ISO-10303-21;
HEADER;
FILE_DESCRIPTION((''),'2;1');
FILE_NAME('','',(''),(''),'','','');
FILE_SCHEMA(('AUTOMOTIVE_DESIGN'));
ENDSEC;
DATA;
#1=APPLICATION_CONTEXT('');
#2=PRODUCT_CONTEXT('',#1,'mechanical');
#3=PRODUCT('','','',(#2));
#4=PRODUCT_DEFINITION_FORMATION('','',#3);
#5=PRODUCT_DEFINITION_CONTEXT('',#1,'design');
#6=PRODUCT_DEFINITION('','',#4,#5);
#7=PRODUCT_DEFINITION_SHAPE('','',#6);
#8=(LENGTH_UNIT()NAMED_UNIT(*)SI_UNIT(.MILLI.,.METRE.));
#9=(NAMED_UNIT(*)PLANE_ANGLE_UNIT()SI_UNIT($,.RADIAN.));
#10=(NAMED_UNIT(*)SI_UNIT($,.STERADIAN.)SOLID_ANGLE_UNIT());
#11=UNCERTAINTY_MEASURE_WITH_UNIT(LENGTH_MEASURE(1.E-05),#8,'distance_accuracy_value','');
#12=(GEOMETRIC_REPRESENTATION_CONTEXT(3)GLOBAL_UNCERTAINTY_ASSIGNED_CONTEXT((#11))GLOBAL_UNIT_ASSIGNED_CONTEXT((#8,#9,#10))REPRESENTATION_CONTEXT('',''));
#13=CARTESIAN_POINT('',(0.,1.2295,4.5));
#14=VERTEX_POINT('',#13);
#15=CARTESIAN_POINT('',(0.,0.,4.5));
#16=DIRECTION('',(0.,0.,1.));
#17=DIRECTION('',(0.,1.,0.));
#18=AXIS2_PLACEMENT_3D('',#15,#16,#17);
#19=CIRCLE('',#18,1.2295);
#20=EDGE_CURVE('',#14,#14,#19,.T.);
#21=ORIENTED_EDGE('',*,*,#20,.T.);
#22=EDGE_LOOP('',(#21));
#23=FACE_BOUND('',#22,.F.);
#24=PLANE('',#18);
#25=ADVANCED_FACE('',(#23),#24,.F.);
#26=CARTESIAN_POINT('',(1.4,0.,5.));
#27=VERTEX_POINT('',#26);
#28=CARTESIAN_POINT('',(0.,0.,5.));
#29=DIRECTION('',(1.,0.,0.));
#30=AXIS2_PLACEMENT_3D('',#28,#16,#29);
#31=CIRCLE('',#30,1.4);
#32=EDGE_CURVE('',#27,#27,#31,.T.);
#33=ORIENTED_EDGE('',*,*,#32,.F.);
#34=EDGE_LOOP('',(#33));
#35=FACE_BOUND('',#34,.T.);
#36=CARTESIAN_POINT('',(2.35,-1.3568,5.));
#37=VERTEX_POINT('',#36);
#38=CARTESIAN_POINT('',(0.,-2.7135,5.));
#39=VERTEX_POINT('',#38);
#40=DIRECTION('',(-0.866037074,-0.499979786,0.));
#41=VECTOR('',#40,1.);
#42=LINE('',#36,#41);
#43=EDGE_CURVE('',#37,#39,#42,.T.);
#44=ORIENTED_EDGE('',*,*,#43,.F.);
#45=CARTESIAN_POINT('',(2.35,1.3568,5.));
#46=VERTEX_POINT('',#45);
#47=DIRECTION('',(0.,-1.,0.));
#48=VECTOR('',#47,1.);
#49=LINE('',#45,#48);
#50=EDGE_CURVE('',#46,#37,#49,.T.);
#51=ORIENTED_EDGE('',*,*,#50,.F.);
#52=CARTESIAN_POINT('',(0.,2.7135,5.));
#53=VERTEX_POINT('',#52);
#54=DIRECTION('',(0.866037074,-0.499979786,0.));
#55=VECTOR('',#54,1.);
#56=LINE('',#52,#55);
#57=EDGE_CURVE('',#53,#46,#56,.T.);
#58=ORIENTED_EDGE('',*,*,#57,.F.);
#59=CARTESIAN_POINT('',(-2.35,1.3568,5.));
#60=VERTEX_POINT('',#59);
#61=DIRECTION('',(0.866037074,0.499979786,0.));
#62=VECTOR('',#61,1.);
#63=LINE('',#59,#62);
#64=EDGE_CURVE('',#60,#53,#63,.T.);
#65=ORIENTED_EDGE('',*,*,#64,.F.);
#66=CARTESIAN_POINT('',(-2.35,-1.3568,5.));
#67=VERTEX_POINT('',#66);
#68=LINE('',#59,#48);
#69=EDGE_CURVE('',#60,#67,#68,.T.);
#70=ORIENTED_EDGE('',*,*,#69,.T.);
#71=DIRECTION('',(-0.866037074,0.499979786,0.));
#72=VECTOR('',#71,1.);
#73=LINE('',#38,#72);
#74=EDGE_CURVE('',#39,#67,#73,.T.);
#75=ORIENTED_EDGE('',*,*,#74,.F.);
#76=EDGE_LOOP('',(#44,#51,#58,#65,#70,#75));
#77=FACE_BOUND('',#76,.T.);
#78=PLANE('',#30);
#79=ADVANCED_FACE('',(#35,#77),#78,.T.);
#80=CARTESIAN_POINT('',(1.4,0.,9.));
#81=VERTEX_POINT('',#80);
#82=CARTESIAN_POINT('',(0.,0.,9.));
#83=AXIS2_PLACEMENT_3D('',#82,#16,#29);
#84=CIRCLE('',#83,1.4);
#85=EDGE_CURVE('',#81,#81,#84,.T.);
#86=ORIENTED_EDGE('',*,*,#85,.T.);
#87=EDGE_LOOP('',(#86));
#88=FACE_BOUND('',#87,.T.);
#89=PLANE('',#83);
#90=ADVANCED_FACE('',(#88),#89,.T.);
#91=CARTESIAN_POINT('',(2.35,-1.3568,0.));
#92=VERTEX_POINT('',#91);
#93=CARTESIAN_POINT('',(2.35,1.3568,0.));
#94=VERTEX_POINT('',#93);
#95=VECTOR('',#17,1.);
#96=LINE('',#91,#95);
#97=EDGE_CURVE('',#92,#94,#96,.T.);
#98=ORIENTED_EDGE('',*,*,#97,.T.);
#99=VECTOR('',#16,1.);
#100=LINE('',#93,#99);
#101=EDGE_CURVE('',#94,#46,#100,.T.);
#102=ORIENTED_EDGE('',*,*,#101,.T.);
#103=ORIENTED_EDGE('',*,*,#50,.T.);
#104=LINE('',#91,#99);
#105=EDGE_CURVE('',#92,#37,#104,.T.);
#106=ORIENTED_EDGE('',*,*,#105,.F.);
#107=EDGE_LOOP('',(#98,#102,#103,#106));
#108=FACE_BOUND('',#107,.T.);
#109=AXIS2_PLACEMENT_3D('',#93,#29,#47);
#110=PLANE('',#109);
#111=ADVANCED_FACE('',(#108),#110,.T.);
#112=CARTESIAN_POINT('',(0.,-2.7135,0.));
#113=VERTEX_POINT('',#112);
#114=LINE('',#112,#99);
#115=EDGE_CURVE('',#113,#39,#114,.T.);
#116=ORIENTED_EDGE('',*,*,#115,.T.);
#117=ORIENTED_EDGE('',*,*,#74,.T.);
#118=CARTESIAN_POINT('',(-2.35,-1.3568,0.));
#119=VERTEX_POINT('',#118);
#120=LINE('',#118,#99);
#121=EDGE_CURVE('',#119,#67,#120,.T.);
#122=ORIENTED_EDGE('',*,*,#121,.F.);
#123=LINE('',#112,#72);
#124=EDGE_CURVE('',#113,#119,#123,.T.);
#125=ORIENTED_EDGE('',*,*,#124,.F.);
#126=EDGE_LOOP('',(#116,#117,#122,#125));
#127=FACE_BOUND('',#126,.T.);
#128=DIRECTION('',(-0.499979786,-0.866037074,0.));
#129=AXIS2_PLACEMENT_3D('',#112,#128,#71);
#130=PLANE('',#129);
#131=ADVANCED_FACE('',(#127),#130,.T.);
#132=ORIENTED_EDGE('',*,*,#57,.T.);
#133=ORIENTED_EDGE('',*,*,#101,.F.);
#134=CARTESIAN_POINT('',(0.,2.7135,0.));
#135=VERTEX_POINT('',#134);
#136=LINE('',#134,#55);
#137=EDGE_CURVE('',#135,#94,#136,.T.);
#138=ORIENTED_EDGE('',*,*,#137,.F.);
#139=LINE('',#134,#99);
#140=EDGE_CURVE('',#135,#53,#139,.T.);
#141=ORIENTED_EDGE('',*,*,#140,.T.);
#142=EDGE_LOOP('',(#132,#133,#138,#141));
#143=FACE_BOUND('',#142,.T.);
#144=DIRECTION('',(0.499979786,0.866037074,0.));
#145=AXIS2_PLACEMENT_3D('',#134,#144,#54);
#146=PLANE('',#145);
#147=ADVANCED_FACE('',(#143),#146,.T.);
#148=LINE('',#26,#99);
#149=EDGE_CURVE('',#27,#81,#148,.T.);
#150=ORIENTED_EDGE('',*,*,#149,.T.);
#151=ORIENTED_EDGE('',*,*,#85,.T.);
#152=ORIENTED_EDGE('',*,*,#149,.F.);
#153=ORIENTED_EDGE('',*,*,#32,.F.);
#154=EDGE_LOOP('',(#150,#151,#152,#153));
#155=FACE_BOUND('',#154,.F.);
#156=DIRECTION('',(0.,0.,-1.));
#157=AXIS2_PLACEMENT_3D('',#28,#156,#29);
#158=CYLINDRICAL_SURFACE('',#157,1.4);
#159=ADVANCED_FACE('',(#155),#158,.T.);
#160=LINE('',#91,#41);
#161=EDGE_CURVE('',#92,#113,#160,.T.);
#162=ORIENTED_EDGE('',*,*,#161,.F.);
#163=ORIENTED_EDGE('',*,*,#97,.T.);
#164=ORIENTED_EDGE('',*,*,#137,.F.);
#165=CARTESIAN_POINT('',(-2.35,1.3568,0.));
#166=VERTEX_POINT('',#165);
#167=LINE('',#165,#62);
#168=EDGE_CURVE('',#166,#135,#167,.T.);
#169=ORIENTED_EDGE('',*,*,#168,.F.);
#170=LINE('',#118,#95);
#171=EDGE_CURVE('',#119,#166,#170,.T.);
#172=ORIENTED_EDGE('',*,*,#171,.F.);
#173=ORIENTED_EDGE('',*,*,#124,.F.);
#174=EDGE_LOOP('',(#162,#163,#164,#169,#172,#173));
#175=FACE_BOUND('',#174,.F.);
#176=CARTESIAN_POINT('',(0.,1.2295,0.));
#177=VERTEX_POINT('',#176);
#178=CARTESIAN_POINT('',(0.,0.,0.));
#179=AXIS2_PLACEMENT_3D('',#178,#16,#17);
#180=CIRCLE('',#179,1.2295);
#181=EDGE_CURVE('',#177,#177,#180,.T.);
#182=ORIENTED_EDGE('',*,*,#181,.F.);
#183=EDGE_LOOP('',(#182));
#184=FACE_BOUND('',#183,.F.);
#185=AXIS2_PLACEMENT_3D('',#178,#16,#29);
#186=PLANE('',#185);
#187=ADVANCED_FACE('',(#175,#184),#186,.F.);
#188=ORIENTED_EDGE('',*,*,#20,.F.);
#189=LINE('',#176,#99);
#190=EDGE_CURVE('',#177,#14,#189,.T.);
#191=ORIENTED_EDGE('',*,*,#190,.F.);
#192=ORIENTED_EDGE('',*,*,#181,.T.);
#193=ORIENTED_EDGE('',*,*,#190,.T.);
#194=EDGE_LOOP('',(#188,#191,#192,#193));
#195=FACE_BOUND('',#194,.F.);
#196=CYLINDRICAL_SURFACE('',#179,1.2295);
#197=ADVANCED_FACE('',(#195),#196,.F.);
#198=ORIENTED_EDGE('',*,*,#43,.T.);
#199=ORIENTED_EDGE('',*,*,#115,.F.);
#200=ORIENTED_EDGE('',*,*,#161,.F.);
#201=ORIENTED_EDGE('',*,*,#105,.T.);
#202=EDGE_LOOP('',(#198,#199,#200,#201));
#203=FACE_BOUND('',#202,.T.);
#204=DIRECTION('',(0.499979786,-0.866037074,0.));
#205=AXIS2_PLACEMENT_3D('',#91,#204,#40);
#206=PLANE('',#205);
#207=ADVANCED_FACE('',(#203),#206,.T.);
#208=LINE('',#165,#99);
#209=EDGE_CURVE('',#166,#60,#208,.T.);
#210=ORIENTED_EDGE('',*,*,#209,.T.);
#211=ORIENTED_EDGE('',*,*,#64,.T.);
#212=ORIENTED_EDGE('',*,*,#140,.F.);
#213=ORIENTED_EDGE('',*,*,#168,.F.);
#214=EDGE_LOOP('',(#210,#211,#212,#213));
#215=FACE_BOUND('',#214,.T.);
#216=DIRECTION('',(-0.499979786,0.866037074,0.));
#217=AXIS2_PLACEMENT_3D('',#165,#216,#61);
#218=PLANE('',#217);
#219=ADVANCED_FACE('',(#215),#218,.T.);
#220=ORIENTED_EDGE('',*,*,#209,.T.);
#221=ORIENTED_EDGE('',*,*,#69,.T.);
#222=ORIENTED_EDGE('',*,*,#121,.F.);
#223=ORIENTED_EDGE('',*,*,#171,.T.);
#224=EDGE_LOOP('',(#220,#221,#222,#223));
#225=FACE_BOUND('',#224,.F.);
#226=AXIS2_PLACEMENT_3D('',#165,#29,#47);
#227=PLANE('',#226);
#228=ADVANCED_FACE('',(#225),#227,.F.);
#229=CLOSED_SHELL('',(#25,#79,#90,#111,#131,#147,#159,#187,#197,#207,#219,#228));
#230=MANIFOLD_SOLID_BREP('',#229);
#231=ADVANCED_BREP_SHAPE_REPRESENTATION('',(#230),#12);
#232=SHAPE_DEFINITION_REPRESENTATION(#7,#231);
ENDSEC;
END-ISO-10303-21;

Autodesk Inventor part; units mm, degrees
ref_plane "YZ Plane" through (0, 0, 0) normal (1, 0, 0) x (0, 1, 0)
ref_plane "XZ Plane" through (0, 0, 0) normal (0, 1, 0) x (-1, 0, 0)
ref_plane "XY Plane" through (0, 0, 0) normal (0, 0, 1) x (1, 0, 0)
sketch "Sketch1" plane through (0, 0, 0) normal (0, 0, 1) x (1, 0, 0)
  line L0 (2.35, 1.3568) -> (2.35, -1.3568)
  line L1 (2.35, -1.3568) -> (0, -2.7135)
  line L2 (0, -2.7135) -> (-2.35, -1.3568)
  line L3 (-2.35, 1.3568) -> (-2.35, -1.3568)
  line L4 (-2.35, 1.3568) -> (0, 2.7135)
  line L5 (0, 2.7135) -> (2.35, 1.3568)
  circle A0 centre (0, 0) radius 2.7135 construction
  line L6 (0, 29.0365) -> (0, -7.2493) construction
  line L7 (0, -14.5064) -> (0, 36.2936) projected
  line L8 (-3.799, 0) -> (3.799, 0) projected
  dimension "d0" = 5.4271
  dimension "d20" = 4.7
  dimension "d21" = 2.7136
extrude "Hexagon1" add sketch "Sketch1" along normal blind 5
hole "Hole1" at (0, 0, 0) direction (0, 0, 1) diameter 2.459 depth 4.5 thread size "M3x0.5" class "6H" standard "ISO Metric profile"
sketch "Sketch2" plane through (0, 0, 5) normal (0, 0, 1) x (1, 0, 0)
  circle A0 centre (0, 0) radius 1.4
  dimension "d22" = 2.8
extrude "Extrusion2" add sketch "Sketch2" along normal blind 4
thread "Thread3" size "M3x0.5" class "6g" standard "ISO Metric profile" full length
properties part number "Spacer-M3-05" material "Brass, Soft Yellow, Welded"
